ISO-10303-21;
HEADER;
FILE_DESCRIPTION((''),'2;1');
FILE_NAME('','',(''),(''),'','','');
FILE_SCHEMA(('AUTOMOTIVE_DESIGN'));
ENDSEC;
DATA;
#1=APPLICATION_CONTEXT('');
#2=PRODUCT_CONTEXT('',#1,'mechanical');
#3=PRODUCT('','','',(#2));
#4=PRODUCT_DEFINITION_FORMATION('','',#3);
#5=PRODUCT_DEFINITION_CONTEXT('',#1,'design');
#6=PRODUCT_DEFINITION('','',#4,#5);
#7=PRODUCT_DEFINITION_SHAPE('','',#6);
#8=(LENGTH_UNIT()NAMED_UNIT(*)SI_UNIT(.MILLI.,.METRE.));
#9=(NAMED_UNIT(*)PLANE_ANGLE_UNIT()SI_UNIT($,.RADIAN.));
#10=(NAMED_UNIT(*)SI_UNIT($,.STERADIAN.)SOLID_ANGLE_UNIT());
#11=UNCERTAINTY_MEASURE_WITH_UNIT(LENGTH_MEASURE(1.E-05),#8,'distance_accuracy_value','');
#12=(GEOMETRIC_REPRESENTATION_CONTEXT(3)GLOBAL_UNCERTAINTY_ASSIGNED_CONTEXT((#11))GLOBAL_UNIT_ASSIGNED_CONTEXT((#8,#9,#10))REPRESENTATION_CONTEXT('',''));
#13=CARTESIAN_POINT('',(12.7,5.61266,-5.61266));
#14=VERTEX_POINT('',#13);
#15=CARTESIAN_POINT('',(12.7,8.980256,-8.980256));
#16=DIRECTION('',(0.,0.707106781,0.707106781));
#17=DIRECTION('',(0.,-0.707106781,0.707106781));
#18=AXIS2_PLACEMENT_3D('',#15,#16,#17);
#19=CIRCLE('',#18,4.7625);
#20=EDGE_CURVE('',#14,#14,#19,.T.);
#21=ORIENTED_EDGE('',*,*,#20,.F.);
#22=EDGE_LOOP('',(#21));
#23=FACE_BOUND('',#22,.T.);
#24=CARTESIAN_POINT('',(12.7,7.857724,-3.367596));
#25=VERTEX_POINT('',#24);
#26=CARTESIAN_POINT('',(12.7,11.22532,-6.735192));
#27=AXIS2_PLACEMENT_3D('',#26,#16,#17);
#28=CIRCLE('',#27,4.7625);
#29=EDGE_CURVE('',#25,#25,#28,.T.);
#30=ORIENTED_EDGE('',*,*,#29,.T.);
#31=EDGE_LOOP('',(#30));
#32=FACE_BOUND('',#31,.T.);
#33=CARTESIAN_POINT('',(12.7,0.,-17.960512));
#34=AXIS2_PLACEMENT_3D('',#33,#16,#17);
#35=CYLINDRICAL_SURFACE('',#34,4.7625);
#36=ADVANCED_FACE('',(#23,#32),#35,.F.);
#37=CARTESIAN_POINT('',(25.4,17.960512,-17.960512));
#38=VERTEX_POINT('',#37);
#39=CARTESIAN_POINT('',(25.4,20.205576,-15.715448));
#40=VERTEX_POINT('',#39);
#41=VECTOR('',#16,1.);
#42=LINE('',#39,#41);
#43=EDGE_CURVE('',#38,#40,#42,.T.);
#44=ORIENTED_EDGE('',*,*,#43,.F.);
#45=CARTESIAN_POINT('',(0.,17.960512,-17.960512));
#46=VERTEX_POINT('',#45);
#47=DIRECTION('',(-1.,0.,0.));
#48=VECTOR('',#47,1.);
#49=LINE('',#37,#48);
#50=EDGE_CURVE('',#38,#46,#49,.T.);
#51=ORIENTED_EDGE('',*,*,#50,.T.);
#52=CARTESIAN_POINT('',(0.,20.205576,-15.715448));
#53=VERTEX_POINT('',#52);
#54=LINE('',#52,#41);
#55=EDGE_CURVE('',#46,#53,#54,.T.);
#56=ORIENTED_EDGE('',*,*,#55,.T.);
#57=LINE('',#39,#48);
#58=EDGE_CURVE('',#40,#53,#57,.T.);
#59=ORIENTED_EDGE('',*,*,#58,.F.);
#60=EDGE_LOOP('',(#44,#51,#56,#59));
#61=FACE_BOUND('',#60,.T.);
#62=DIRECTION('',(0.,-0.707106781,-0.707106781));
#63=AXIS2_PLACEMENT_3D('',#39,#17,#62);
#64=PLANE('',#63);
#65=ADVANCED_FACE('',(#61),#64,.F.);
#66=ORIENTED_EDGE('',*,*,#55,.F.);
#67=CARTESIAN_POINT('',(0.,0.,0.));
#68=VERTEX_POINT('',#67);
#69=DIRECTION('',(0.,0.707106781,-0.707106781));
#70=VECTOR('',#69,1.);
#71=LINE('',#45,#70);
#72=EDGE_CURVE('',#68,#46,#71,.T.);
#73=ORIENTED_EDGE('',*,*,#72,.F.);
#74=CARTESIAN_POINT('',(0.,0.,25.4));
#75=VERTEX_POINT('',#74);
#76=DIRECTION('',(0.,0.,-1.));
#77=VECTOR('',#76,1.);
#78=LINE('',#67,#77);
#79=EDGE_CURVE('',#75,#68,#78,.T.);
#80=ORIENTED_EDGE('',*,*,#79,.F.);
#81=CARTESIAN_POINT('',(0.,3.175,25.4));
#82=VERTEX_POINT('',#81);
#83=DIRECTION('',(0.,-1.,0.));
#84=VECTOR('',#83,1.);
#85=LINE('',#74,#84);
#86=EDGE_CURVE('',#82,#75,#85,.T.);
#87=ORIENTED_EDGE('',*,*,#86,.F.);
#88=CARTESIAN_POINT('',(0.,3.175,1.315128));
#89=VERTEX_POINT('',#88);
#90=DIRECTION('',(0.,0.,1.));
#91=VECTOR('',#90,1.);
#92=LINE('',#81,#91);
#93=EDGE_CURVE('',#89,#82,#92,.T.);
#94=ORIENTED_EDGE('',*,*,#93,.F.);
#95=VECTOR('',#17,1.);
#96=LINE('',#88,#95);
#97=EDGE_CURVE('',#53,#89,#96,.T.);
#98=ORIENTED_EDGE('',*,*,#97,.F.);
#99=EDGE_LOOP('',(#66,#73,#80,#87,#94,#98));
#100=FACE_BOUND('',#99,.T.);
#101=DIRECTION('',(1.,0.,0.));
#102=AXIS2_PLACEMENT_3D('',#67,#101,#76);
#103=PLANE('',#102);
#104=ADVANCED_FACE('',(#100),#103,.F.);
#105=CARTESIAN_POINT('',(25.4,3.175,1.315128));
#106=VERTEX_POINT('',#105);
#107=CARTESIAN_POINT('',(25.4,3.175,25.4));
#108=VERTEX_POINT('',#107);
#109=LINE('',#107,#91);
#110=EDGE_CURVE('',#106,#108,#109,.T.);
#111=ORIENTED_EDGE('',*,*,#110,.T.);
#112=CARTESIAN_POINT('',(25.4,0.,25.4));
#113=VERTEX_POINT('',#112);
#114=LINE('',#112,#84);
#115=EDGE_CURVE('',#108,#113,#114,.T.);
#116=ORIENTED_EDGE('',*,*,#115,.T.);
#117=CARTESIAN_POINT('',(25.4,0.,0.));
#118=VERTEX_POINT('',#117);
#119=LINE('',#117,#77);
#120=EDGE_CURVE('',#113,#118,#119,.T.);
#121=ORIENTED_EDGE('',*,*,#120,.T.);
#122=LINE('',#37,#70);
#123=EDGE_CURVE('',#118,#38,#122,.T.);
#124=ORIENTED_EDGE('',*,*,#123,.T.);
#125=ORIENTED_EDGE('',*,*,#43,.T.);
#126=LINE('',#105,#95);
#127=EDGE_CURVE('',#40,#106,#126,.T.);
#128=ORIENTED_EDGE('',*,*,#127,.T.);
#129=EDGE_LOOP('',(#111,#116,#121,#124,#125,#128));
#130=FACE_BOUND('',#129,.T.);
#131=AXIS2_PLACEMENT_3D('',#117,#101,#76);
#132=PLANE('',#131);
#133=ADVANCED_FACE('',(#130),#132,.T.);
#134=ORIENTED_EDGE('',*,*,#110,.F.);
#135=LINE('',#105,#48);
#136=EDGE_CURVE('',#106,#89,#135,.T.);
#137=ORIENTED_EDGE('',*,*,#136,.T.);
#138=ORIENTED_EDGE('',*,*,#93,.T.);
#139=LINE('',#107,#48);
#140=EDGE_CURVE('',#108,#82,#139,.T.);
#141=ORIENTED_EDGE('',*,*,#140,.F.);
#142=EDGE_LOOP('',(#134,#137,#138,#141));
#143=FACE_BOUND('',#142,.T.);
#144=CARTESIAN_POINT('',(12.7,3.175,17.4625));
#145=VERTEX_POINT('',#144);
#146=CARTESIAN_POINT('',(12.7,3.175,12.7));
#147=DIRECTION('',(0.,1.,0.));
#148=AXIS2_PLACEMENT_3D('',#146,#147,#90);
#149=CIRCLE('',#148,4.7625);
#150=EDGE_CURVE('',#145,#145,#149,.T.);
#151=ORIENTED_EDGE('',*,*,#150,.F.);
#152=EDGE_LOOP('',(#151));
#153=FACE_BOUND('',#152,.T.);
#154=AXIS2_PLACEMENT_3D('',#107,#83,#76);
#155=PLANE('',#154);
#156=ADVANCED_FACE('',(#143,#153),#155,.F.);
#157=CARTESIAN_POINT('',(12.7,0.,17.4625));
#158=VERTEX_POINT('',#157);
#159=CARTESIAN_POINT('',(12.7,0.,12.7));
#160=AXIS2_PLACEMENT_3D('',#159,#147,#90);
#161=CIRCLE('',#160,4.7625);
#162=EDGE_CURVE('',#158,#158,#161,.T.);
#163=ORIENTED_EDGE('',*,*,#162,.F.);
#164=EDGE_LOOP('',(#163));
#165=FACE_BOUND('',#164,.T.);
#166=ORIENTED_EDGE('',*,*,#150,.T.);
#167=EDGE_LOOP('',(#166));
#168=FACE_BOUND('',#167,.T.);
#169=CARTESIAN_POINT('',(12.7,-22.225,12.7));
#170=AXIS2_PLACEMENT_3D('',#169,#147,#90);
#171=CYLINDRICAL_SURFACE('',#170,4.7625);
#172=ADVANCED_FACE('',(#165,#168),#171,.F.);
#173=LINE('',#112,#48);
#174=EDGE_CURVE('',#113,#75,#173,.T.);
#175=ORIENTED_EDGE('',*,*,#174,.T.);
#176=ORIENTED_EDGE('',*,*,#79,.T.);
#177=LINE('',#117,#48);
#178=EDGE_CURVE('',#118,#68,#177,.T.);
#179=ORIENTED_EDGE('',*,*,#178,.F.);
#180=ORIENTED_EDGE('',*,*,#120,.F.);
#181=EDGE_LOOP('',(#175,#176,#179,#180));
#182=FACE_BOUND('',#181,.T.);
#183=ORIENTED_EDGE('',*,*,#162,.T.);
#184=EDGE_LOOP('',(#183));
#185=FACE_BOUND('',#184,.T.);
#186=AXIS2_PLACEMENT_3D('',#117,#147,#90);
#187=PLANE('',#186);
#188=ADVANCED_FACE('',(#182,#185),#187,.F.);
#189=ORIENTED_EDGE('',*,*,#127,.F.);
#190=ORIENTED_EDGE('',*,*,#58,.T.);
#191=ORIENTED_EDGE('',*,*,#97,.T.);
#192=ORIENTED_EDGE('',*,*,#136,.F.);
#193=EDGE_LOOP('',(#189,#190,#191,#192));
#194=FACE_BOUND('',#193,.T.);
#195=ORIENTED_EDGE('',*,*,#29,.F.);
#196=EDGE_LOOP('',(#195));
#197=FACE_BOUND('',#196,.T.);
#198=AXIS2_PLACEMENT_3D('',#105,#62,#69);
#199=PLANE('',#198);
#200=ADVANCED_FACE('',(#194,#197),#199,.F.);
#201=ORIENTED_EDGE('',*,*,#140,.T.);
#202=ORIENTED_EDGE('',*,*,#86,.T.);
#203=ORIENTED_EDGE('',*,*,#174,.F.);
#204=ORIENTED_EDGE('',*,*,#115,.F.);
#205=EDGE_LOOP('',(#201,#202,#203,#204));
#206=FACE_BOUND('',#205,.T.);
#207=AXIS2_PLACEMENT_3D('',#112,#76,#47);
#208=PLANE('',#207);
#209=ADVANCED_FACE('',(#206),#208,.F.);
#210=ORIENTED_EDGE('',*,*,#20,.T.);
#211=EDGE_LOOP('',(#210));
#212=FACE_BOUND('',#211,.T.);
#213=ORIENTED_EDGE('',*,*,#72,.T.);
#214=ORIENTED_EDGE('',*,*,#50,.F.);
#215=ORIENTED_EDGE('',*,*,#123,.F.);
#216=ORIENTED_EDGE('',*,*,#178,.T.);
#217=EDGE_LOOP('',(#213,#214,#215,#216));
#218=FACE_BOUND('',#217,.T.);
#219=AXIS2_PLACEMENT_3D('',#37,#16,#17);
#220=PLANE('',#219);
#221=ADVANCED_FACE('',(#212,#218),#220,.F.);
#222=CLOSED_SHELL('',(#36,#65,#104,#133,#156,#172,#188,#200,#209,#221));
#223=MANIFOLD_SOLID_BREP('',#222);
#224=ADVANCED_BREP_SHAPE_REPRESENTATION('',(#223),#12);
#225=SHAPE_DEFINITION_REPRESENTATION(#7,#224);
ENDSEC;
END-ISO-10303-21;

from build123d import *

# Parameters (mm, degrees)
BOSS_EXTRUDE1_DEPTH = 25.4
SKETCH2_R           = 4.7625
CUT_EXTRUDE1_DEPTH  = 25.4
SKETCH3_R           = 4.7625
CUT_EXTRUDE2_DEPTH  = 16.875


with BuildPart() as part:
    # Sketch1 → Boss-Extrude1 (new body)
    with BuildSketch(Plane(origin=(0, 0, 0), x_dir=(0, 0, -1), z_dir=(1, 0, 0))):
        Polygon((0, 0), (-25.4, 0), (-25.4, 3.175), (-1.315128061, 3.175), (15.715448212, 20.205576272), (17.960512242, 17.960512242), align=None)
    extrude(amount=BOSS_EXTRUDE1_DEPTH)

    # Sketch2 → Cut-Extrude1 (cut)
    with BuildSketch(Plane(origin=(0, 3.175, 0), x_dir=(1, 0, 0), z_dir=(0, 1, 0))):
        with Locations((12.7, -12.7)):
            Circle(SKETCH2_R)
    extrude(amount=-CUT_EXTRUDE1_DEPTH, mode=Mode.SUBTRACT)

    # Sketch3 → Cut-Extrude2 (cut, through all)
    with BuildSketch(Plane(origin=(0, 2.24506403, 2.24506403), x_dir=(1, 0, 0), z_dir=(0, 0.707106781, 0.707106781))):
        with Locations((12.7, 12.7)):
            Circle(SKETCH3_R)
    extrude(amount=-CUT_EXTRUDE2_DEPTH, mode=Mode.SUBTRACT)


solid = part.part
